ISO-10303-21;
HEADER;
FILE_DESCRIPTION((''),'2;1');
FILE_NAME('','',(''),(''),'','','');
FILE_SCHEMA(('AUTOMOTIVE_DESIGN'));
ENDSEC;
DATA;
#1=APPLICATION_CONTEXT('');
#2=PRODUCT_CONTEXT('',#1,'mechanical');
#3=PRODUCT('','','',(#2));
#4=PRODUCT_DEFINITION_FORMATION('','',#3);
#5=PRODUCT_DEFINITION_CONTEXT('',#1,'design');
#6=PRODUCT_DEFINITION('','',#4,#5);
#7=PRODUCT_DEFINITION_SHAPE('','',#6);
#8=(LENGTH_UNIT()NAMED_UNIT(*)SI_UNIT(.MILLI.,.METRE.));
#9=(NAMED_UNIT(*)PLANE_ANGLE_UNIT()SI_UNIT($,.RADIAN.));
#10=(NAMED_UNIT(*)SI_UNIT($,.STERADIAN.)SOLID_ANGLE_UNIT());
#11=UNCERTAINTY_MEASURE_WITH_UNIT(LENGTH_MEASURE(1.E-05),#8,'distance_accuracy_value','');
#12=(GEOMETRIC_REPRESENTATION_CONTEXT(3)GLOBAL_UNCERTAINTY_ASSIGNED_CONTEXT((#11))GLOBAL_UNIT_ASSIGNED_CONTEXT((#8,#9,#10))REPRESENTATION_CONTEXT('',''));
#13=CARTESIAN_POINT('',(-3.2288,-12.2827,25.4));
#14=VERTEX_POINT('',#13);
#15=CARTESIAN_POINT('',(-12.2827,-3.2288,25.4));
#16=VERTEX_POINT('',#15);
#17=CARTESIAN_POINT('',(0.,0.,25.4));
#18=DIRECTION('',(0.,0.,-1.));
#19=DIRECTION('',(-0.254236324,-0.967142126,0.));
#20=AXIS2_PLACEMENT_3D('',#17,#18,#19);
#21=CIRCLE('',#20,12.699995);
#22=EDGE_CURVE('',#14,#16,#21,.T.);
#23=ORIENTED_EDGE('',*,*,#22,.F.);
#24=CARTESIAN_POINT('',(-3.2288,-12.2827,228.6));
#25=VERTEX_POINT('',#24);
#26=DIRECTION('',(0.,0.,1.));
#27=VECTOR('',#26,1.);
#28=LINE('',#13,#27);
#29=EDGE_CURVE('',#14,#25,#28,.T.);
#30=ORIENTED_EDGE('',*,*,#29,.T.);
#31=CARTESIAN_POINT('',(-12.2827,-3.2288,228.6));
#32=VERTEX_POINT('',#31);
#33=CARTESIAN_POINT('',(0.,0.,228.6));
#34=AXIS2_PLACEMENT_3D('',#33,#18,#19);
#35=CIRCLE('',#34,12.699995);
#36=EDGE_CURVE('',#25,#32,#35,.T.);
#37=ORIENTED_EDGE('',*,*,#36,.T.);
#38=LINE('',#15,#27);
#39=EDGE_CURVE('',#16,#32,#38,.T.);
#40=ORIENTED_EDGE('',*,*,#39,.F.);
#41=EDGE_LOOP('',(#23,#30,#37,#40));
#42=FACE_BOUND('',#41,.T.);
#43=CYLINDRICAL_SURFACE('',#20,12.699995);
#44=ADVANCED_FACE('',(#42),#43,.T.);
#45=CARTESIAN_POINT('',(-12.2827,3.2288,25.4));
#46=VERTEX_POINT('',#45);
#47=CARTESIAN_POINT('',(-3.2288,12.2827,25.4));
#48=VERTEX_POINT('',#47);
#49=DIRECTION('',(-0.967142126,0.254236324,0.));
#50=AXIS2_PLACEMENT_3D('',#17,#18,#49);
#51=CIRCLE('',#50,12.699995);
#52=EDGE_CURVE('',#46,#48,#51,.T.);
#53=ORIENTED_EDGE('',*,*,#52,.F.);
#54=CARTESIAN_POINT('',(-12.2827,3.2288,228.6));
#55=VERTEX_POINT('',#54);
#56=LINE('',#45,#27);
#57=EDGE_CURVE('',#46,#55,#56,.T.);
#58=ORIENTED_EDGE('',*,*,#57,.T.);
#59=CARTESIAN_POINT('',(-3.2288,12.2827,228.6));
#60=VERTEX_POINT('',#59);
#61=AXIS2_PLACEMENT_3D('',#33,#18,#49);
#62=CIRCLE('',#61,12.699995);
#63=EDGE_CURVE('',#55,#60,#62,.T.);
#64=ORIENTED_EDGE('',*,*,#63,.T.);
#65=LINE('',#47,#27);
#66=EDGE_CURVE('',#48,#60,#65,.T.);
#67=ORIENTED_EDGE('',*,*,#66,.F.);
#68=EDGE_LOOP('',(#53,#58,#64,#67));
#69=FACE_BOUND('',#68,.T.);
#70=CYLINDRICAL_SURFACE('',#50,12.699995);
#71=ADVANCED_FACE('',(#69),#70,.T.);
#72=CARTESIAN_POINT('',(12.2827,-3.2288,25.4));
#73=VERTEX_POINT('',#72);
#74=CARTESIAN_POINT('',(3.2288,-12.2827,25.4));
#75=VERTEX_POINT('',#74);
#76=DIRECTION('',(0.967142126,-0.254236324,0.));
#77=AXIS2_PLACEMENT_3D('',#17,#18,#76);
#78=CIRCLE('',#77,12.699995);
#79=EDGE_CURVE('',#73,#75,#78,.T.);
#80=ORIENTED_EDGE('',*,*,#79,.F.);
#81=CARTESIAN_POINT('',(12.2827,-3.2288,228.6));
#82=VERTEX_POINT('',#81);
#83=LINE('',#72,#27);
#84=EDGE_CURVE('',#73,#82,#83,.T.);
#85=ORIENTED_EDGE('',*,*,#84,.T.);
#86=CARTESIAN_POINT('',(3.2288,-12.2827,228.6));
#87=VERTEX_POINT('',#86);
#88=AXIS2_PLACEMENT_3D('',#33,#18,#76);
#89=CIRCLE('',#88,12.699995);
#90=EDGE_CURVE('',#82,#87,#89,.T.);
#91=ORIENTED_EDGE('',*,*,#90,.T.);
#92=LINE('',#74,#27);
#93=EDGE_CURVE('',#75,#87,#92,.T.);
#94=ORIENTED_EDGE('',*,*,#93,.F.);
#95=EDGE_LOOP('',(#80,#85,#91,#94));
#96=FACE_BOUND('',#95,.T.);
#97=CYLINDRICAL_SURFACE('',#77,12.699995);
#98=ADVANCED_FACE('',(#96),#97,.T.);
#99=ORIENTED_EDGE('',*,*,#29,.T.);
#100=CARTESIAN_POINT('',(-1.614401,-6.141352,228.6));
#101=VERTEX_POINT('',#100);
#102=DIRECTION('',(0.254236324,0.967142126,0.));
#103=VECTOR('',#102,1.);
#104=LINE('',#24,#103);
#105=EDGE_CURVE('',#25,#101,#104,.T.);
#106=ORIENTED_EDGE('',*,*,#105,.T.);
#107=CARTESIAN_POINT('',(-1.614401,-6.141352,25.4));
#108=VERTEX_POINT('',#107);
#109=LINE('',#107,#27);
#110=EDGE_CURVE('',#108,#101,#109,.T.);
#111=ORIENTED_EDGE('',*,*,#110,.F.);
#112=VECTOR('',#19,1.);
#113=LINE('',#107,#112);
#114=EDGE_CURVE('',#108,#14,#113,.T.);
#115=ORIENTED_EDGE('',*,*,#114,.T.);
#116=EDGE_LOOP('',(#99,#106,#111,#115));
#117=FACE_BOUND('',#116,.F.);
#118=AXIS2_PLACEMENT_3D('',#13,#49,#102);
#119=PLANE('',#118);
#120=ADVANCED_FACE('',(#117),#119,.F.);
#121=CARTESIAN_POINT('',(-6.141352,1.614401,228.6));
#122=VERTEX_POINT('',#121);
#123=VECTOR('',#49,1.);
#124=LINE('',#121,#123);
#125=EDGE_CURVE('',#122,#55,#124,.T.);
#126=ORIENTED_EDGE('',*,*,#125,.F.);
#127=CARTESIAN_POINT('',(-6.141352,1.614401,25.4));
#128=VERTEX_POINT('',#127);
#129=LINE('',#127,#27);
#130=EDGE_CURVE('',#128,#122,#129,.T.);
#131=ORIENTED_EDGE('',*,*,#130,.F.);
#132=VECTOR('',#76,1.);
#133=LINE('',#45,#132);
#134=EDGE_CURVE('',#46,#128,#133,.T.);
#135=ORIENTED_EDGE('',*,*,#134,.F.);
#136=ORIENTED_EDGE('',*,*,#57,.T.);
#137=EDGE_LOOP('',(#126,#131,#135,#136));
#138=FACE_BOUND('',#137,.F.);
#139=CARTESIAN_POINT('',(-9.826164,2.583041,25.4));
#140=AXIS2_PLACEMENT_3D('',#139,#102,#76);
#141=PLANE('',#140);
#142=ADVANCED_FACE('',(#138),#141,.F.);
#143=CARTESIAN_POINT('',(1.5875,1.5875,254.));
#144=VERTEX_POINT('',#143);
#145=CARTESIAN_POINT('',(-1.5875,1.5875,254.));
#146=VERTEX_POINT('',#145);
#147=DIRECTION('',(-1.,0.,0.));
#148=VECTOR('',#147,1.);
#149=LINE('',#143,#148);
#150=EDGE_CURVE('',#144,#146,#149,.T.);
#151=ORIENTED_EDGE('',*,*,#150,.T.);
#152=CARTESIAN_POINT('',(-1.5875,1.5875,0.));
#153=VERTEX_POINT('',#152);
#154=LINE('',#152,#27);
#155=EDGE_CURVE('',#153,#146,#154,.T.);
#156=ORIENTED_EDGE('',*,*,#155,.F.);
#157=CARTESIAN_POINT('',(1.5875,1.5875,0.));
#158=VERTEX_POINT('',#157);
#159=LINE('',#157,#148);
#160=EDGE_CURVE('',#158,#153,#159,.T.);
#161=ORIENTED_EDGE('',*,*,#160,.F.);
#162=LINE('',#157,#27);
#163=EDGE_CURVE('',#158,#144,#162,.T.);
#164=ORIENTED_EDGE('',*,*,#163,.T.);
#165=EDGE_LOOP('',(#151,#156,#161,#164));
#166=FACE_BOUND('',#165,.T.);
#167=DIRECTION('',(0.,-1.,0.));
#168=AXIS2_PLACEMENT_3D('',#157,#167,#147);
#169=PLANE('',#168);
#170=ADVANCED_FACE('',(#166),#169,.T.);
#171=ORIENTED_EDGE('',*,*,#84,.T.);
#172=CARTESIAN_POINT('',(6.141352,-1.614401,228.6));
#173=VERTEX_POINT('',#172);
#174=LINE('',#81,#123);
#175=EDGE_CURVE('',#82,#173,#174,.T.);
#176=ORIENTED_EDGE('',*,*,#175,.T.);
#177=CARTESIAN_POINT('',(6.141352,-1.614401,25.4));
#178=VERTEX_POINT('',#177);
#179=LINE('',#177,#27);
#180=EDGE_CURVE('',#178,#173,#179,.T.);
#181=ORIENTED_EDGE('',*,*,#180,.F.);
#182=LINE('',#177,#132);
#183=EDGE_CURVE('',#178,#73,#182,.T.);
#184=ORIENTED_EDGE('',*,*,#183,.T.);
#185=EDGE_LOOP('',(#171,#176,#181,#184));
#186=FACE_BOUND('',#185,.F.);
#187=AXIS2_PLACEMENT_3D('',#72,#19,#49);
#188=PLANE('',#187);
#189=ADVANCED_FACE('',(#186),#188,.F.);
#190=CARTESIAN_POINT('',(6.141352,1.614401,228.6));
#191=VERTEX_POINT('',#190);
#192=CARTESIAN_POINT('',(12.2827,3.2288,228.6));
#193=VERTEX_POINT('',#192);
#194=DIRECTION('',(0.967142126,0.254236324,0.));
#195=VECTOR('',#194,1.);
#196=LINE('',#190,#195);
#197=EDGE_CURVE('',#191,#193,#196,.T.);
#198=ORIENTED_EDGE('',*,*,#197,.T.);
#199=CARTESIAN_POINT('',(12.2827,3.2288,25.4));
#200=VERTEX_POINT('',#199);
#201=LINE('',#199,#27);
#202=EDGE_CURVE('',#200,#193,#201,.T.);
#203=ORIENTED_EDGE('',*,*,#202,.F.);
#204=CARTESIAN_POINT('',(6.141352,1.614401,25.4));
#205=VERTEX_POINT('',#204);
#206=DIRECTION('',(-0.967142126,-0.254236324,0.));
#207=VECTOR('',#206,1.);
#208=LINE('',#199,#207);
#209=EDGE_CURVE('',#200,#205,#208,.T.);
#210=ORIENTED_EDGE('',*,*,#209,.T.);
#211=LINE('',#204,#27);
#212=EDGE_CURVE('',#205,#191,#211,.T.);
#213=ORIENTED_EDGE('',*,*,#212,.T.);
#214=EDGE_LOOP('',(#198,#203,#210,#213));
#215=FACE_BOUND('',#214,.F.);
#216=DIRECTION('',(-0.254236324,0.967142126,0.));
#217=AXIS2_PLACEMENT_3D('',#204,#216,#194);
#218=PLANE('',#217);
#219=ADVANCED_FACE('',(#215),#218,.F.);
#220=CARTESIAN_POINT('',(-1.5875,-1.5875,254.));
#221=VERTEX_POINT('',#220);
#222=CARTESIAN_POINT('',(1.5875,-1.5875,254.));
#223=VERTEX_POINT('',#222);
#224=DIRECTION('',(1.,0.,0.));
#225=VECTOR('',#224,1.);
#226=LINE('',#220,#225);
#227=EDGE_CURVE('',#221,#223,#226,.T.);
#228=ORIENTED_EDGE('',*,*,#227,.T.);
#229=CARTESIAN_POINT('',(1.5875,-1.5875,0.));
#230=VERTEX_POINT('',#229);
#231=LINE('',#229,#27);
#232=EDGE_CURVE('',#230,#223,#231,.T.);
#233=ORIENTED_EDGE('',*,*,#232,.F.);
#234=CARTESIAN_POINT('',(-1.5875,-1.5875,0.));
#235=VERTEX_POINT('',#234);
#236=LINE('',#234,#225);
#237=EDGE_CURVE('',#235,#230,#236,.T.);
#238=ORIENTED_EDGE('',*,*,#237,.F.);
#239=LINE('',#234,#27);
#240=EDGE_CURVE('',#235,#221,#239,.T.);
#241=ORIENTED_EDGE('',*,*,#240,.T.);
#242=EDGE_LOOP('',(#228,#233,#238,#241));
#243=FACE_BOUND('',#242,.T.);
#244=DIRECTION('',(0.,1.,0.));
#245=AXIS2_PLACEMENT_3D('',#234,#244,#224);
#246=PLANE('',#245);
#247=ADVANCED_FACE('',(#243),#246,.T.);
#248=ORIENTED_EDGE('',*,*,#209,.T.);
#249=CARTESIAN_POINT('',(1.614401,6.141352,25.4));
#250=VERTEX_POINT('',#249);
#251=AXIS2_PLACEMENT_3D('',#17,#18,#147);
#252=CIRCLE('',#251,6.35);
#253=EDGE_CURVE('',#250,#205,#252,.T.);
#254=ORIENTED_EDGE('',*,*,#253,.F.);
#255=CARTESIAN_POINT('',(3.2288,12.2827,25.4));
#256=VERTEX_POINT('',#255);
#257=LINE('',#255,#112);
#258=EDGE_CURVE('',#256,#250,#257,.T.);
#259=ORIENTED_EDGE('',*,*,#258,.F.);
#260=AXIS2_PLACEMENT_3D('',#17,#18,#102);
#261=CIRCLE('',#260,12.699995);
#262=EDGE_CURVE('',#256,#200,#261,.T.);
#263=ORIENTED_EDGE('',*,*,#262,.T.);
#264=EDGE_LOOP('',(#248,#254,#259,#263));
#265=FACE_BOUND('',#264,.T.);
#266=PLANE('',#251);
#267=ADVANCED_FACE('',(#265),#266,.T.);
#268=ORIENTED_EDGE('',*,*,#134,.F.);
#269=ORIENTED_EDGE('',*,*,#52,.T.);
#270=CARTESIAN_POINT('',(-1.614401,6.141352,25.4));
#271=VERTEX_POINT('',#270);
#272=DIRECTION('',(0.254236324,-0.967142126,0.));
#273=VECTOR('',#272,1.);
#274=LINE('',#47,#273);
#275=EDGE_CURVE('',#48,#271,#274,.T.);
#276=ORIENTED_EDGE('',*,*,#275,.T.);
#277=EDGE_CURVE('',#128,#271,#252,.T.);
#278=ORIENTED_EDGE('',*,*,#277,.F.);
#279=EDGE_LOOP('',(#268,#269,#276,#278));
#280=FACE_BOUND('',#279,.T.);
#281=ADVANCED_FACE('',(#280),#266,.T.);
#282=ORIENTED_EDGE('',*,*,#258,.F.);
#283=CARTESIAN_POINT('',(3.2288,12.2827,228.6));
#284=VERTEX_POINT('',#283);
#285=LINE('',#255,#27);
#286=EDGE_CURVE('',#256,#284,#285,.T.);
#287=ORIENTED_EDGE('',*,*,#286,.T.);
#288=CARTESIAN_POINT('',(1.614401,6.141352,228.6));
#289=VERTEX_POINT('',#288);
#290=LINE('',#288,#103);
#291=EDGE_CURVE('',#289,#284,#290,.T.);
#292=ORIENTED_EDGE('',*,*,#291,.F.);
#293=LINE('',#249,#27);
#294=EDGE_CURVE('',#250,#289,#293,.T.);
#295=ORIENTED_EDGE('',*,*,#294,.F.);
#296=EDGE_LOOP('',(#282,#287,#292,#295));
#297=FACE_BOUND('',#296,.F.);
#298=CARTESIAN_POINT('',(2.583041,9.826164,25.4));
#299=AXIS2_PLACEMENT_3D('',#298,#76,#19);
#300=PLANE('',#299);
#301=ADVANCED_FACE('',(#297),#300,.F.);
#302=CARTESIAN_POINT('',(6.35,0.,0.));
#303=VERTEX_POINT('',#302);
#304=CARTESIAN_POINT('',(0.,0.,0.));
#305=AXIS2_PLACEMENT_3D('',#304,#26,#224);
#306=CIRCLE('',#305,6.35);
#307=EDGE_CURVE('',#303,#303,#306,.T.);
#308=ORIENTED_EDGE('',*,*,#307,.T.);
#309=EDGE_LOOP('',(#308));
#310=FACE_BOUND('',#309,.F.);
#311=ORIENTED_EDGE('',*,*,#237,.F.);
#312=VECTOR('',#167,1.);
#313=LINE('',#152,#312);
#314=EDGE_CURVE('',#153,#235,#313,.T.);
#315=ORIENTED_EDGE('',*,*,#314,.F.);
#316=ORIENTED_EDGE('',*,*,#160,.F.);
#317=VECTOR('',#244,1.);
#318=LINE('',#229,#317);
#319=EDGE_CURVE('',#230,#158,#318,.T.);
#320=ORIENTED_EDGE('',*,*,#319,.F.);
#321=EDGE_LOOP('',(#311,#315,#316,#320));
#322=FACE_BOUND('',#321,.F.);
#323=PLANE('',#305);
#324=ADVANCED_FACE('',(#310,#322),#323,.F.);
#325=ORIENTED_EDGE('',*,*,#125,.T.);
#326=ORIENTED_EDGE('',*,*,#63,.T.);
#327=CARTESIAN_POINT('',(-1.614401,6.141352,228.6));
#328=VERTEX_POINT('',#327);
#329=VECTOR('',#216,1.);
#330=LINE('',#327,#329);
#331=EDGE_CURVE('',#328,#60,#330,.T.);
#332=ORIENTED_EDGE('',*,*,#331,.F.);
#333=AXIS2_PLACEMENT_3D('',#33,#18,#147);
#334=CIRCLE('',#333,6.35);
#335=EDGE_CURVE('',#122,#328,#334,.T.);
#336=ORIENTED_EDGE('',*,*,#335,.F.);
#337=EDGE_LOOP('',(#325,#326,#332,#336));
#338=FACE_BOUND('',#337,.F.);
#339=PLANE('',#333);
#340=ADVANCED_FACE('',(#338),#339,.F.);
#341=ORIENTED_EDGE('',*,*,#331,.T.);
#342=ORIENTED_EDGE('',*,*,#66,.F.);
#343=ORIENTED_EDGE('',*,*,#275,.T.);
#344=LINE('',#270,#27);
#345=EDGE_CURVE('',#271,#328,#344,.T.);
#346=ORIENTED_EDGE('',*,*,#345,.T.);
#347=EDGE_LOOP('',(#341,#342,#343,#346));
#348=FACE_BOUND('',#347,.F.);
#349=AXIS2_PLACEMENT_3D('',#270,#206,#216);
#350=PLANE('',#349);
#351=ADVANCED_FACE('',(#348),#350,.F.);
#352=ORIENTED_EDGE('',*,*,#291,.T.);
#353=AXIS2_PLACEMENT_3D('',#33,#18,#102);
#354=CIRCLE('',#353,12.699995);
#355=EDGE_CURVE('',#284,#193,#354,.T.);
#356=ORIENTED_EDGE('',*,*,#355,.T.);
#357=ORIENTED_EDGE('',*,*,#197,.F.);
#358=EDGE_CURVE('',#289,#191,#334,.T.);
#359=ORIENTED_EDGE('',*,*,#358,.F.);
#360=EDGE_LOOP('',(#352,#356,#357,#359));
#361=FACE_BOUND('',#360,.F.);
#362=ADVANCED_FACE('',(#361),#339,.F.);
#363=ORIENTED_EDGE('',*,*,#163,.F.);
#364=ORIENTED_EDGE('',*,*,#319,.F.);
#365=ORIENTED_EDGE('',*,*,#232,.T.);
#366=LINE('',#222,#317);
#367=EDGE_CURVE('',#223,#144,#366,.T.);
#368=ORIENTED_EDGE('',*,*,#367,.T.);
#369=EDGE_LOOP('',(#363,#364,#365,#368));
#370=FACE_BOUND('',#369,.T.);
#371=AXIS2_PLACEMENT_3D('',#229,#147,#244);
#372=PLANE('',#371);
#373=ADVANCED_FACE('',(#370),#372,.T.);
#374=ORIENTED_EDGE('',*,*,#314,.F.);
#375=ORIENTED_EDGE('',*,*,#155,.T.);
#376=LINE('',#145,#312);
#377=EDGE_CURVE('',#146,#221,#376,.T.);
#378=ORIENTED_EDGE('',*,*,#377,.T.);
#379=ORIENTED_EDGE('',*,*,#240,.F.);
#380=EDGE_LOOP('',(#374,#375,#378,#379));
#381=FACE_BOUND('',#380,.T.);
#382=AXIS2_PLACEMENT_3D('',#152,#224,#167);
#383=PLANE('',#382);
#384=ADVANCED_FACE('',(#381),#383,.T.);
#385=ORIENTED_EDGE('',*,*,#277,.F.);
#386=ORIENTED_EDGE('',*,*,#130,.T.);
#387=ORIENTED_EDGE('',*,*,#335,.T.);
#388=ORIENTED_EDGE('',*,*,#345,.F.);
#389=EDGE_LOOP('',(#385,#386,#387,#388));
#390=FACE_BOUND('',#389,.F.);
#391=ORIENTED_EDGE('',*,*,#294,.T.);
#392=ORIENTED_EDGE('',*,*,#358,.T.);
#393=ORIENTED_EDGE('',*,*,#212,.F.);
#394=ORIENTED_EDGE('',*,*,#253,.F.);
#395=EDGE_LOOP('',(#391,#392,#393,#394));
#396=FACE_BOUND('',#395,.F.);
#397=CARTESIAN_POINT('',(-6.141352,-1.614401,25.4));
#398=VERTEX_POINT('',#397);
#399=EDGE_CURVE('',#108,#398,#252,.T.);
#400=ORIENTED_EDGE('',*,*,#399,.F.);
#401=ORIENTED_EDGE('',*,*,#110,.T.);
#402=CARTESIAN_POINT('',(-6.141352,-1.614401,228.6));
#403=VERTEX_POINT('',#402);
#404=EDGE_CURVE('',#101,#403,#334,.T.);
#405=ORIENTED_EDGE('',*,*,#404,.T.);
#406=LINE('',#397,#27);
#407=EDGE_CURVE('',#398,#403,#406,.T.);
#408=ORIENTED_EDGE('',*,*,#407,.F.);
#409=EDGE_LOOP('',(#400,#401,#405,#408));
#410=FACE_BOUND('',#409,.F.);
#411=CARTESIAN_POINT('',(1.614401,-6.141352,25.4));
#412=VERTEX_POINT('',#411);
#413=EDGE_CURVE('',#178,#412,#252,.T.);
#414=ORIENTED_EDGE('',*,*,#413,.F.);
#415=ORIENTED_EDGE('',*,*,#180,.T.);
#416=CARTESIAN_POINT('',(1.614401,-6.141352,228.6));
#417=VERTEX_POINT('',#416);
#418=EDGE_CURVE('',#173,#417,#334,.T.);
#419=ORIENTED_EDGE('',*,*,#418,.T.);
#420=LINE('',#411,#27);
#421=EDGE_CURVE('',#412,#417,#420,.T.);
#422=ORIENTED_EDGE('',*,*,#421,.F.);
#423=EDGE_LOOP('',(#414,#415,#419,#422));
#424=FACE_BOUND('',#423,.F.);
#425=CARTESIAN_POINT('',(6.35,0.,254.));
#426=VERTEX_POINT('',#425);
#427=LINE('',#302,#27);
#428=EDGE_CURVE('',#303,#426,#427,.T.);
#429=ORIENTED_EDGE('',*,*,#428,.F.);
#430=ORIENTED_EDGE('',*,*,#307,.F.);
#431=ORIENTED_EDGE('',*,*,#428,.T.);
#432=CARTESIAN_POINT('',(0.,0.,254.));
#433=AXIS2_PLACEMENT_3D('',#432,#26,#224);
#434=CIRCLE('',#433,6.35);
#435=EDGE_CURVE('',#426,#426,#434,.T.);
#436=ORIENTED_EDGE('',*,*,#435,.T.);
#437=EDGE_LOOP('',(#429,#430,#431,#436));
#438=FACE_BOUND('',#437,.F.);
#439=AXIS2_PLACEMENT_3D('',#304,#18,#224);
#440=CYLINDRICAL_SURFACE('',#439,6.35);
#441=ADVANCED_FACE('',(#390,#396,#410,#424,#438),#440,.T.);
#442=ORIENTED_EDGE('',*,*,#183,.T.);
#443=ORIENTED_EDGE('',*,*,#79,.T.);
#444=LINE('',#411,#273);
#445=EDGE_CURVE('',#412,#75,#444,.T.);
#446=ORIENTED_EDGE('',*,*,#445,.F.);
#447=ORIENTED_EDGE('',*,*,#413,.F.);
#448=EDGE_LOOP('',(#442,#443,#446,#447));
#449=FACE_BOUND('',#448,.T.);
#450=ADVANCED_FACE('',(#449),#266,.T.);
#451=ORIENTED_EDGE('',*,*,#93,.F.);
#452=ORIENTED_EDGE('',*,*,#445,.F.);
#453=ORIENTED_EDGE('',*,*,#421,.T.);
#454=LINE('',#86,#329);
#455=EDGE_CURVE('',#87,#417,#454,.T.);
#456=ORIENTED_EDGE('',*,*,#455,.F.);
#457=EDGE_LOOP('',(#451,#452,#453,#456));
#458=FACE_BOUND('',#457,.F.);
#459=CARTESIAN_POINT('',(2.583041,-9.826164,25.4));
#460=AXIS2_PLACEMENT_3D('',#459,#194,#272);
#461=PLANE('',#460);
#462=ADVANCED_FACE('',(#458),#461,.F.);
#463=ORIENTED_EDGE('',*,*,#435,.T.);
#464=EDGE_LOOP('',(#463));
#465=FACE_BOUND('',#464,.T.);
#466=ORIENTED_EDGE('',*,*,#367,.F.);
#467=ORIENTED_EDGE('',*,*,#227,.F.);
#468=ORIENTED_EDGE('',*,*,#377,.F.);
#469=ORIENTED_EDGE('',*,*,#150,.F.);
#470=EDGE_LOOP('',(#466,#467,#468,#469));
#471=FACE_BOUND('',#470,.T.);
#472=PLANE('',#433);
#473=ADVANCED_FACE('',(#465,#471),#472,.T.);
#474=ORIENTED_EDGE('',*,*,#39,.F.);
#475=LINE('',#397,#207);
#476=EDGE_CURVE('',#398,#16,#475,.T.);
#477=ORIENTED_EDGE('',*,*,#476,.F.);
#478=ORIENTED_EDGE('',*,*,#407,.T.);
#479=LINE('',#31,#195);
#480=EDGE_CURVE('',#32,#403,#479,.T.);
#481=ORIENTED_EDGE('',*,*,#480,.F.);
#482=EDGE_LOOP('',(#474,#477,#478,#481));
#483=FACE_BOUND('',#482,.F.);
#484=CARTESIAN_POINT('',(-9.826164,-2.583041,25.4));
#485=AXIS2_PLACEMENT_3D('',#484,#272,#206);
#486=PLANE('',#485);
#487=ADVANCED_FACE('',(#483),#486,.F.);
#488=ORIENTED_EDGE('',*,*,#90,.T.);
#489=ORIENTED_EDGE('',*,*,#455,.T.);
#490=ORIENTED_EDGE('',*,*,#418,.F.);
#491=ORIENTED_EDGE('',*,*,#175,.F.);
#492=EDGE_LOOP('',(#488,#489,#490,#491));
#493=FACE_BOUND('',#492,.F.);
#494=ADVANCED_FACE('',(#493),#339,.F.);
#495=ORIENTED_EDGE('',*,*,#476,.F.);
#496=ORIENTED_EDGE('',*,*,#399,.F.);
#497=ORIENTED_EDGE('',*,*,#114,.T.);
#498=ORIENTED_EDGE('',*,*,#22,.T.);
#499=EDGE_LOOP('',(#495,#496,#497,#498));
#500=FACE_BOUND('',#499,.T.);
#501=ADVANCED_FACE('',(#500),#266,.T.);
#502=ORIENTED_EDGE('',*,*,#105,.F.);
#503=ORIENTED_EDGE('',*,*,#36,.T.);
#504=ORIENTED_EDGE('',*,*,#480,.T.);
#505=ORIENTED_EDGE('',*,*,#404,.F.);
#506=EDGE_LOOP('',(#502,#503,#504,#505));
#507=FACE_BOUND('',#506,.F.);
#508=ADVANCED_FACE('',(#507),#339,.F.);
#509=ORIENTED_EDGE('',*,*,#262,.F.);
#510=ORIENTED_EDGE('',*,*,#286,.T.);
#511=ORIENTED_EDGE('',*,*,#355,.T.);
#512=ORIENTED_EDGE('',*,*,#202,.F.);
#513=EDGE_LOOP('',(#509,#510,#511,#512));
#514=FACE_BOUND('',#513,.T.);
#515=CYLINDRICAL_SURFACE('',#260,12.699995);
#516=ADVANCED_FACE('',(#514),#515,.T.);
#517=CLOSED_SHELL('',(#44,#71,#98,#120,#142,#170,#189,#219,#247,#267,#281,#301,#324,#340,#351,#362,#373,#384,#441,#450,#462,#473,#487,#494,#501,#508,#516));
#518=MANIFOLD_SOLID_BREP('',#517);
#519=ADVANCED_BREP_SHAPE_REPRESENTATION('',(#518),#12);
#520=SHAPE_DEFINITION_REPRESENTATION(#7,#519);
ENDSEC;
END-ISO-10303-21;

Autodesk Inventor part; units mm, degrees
ref_plane "YZ Plane" through (0, 0, 0) normal (1, 0, 0) x (0, 1, 0)
ref_plane "XZ Plane" through (0, 0, 0) normal (0, 1, 0) x (-1, 0, 0)
ref_plane "XY Plane" through (0, 0, 0) normal (0, 0, 1) x (1, 0, 0)
sketch "Sketch1" plane through (0, 0, 0) normal (0, 0, 1) x (1, 0, 0)
  circle A0 centre (0, 0) radius 6.35
  line L0 (-1.5875, -1.5875) -> (1.5875, -1.5875)
  line L1 (1.5875, -1.5875) -> (1.5875, 1.5875)
  line L2 (1.5875, 1.5875) -> (-1.5875, 1.5875)
  line L3 (-1.5875, 1.5875) -> (-1.5875, -1.5875)
  line L4 (-1.5875, -1.5875) -> (1.5875, 1.5875) construction
  line L5 (1.5875, -1.5875) -> (-1.5875, 1.5875) construction
  dimension "d0" = 12.7
  dimension "d3" = 3.175
  dimension "d4" = 3.175
extrude "Extrusion1" add sketch "Sketch1" along normal blind 254 contours A0 | L3 L2 L1 L0
extrude "Extrusion2" cut sketch "Sketch1" along normal blind 254 contours L3 L2 L1 L0
ref_plane "Work Plane1" through (0, 0, 25.4) normal (0, 0, -1) x (-1, 0, 0)
sketch "Sketch2" plane through (0, 0, 25.4) normal (0, 0, -1) x (-1, 0, 0)
  circle A0 centre (0, 0) radius 10.16
  line L0 (0, 0) -> (-12.2827, 3.2288)
  circle A1 centre (0, 0) radius 6.35 projected
  line L1 (-12.2827, -3.2288) -> (0, 0)
  arc A2 (-3.2288, 12.2827) -> (-12.2827, 3.2288) centre (0, 0) ccw
  arc A3 (12.2827, 3.2288) -> (3.2288, 12.2827) centre (0, 0) ccw
  arc A4 (-12.2827, -3.2288) -> (-3.2288, -12.2827) centre (0, 0) ccw
  arc A5 (3.2288, -12.2827) -> (12.2827, -3.2288) centre (0, 0) ccw
  line L2 (0, 0) -> (-3.2288, -12.2827)
  line L3 (3.2288, -12.2827) -> (0, 0)
  line L4 (0, 0) -> (12.2827, -3.2288)
  line L5 (12.2827, 3.2288) -> (0, 0)
  line L6 (0, 0) -> (3.2288, 12.2827)
  line L7 (-3.2288, 12.2827) -> (0, 0)
  point P0 (-1.6144, -6.1414)
  point P1 (-6.1414, -1.6144)
  point P2 (6.1414, -1.6144)
  point P3 (1.6144, -6.1414)
  point P4 (1.6144, 6.1414)
  point P5 (6.1414, 1.6144)
  point P6 (-6.1414, 1.6144)
  point P7 (-1.6144, 6.1414)
  dimension "d11" = 20.32
  dimension "d20" = 360
extrude "Extrusion4" add sketch "Sketch2" against normal blind 203.2 contours L5 A1 L6 A0 | A0 L6 A3 L5 | L4 A5 L3 A0 | A0 L3 A1 L4 | L7 A1 L0 A0 | A0 L0 A2 L7 | L2 A4 L1 A0 | A0 L1 A1 L2
properties part number "Nicoles_Roomba_Blade_Axle"
